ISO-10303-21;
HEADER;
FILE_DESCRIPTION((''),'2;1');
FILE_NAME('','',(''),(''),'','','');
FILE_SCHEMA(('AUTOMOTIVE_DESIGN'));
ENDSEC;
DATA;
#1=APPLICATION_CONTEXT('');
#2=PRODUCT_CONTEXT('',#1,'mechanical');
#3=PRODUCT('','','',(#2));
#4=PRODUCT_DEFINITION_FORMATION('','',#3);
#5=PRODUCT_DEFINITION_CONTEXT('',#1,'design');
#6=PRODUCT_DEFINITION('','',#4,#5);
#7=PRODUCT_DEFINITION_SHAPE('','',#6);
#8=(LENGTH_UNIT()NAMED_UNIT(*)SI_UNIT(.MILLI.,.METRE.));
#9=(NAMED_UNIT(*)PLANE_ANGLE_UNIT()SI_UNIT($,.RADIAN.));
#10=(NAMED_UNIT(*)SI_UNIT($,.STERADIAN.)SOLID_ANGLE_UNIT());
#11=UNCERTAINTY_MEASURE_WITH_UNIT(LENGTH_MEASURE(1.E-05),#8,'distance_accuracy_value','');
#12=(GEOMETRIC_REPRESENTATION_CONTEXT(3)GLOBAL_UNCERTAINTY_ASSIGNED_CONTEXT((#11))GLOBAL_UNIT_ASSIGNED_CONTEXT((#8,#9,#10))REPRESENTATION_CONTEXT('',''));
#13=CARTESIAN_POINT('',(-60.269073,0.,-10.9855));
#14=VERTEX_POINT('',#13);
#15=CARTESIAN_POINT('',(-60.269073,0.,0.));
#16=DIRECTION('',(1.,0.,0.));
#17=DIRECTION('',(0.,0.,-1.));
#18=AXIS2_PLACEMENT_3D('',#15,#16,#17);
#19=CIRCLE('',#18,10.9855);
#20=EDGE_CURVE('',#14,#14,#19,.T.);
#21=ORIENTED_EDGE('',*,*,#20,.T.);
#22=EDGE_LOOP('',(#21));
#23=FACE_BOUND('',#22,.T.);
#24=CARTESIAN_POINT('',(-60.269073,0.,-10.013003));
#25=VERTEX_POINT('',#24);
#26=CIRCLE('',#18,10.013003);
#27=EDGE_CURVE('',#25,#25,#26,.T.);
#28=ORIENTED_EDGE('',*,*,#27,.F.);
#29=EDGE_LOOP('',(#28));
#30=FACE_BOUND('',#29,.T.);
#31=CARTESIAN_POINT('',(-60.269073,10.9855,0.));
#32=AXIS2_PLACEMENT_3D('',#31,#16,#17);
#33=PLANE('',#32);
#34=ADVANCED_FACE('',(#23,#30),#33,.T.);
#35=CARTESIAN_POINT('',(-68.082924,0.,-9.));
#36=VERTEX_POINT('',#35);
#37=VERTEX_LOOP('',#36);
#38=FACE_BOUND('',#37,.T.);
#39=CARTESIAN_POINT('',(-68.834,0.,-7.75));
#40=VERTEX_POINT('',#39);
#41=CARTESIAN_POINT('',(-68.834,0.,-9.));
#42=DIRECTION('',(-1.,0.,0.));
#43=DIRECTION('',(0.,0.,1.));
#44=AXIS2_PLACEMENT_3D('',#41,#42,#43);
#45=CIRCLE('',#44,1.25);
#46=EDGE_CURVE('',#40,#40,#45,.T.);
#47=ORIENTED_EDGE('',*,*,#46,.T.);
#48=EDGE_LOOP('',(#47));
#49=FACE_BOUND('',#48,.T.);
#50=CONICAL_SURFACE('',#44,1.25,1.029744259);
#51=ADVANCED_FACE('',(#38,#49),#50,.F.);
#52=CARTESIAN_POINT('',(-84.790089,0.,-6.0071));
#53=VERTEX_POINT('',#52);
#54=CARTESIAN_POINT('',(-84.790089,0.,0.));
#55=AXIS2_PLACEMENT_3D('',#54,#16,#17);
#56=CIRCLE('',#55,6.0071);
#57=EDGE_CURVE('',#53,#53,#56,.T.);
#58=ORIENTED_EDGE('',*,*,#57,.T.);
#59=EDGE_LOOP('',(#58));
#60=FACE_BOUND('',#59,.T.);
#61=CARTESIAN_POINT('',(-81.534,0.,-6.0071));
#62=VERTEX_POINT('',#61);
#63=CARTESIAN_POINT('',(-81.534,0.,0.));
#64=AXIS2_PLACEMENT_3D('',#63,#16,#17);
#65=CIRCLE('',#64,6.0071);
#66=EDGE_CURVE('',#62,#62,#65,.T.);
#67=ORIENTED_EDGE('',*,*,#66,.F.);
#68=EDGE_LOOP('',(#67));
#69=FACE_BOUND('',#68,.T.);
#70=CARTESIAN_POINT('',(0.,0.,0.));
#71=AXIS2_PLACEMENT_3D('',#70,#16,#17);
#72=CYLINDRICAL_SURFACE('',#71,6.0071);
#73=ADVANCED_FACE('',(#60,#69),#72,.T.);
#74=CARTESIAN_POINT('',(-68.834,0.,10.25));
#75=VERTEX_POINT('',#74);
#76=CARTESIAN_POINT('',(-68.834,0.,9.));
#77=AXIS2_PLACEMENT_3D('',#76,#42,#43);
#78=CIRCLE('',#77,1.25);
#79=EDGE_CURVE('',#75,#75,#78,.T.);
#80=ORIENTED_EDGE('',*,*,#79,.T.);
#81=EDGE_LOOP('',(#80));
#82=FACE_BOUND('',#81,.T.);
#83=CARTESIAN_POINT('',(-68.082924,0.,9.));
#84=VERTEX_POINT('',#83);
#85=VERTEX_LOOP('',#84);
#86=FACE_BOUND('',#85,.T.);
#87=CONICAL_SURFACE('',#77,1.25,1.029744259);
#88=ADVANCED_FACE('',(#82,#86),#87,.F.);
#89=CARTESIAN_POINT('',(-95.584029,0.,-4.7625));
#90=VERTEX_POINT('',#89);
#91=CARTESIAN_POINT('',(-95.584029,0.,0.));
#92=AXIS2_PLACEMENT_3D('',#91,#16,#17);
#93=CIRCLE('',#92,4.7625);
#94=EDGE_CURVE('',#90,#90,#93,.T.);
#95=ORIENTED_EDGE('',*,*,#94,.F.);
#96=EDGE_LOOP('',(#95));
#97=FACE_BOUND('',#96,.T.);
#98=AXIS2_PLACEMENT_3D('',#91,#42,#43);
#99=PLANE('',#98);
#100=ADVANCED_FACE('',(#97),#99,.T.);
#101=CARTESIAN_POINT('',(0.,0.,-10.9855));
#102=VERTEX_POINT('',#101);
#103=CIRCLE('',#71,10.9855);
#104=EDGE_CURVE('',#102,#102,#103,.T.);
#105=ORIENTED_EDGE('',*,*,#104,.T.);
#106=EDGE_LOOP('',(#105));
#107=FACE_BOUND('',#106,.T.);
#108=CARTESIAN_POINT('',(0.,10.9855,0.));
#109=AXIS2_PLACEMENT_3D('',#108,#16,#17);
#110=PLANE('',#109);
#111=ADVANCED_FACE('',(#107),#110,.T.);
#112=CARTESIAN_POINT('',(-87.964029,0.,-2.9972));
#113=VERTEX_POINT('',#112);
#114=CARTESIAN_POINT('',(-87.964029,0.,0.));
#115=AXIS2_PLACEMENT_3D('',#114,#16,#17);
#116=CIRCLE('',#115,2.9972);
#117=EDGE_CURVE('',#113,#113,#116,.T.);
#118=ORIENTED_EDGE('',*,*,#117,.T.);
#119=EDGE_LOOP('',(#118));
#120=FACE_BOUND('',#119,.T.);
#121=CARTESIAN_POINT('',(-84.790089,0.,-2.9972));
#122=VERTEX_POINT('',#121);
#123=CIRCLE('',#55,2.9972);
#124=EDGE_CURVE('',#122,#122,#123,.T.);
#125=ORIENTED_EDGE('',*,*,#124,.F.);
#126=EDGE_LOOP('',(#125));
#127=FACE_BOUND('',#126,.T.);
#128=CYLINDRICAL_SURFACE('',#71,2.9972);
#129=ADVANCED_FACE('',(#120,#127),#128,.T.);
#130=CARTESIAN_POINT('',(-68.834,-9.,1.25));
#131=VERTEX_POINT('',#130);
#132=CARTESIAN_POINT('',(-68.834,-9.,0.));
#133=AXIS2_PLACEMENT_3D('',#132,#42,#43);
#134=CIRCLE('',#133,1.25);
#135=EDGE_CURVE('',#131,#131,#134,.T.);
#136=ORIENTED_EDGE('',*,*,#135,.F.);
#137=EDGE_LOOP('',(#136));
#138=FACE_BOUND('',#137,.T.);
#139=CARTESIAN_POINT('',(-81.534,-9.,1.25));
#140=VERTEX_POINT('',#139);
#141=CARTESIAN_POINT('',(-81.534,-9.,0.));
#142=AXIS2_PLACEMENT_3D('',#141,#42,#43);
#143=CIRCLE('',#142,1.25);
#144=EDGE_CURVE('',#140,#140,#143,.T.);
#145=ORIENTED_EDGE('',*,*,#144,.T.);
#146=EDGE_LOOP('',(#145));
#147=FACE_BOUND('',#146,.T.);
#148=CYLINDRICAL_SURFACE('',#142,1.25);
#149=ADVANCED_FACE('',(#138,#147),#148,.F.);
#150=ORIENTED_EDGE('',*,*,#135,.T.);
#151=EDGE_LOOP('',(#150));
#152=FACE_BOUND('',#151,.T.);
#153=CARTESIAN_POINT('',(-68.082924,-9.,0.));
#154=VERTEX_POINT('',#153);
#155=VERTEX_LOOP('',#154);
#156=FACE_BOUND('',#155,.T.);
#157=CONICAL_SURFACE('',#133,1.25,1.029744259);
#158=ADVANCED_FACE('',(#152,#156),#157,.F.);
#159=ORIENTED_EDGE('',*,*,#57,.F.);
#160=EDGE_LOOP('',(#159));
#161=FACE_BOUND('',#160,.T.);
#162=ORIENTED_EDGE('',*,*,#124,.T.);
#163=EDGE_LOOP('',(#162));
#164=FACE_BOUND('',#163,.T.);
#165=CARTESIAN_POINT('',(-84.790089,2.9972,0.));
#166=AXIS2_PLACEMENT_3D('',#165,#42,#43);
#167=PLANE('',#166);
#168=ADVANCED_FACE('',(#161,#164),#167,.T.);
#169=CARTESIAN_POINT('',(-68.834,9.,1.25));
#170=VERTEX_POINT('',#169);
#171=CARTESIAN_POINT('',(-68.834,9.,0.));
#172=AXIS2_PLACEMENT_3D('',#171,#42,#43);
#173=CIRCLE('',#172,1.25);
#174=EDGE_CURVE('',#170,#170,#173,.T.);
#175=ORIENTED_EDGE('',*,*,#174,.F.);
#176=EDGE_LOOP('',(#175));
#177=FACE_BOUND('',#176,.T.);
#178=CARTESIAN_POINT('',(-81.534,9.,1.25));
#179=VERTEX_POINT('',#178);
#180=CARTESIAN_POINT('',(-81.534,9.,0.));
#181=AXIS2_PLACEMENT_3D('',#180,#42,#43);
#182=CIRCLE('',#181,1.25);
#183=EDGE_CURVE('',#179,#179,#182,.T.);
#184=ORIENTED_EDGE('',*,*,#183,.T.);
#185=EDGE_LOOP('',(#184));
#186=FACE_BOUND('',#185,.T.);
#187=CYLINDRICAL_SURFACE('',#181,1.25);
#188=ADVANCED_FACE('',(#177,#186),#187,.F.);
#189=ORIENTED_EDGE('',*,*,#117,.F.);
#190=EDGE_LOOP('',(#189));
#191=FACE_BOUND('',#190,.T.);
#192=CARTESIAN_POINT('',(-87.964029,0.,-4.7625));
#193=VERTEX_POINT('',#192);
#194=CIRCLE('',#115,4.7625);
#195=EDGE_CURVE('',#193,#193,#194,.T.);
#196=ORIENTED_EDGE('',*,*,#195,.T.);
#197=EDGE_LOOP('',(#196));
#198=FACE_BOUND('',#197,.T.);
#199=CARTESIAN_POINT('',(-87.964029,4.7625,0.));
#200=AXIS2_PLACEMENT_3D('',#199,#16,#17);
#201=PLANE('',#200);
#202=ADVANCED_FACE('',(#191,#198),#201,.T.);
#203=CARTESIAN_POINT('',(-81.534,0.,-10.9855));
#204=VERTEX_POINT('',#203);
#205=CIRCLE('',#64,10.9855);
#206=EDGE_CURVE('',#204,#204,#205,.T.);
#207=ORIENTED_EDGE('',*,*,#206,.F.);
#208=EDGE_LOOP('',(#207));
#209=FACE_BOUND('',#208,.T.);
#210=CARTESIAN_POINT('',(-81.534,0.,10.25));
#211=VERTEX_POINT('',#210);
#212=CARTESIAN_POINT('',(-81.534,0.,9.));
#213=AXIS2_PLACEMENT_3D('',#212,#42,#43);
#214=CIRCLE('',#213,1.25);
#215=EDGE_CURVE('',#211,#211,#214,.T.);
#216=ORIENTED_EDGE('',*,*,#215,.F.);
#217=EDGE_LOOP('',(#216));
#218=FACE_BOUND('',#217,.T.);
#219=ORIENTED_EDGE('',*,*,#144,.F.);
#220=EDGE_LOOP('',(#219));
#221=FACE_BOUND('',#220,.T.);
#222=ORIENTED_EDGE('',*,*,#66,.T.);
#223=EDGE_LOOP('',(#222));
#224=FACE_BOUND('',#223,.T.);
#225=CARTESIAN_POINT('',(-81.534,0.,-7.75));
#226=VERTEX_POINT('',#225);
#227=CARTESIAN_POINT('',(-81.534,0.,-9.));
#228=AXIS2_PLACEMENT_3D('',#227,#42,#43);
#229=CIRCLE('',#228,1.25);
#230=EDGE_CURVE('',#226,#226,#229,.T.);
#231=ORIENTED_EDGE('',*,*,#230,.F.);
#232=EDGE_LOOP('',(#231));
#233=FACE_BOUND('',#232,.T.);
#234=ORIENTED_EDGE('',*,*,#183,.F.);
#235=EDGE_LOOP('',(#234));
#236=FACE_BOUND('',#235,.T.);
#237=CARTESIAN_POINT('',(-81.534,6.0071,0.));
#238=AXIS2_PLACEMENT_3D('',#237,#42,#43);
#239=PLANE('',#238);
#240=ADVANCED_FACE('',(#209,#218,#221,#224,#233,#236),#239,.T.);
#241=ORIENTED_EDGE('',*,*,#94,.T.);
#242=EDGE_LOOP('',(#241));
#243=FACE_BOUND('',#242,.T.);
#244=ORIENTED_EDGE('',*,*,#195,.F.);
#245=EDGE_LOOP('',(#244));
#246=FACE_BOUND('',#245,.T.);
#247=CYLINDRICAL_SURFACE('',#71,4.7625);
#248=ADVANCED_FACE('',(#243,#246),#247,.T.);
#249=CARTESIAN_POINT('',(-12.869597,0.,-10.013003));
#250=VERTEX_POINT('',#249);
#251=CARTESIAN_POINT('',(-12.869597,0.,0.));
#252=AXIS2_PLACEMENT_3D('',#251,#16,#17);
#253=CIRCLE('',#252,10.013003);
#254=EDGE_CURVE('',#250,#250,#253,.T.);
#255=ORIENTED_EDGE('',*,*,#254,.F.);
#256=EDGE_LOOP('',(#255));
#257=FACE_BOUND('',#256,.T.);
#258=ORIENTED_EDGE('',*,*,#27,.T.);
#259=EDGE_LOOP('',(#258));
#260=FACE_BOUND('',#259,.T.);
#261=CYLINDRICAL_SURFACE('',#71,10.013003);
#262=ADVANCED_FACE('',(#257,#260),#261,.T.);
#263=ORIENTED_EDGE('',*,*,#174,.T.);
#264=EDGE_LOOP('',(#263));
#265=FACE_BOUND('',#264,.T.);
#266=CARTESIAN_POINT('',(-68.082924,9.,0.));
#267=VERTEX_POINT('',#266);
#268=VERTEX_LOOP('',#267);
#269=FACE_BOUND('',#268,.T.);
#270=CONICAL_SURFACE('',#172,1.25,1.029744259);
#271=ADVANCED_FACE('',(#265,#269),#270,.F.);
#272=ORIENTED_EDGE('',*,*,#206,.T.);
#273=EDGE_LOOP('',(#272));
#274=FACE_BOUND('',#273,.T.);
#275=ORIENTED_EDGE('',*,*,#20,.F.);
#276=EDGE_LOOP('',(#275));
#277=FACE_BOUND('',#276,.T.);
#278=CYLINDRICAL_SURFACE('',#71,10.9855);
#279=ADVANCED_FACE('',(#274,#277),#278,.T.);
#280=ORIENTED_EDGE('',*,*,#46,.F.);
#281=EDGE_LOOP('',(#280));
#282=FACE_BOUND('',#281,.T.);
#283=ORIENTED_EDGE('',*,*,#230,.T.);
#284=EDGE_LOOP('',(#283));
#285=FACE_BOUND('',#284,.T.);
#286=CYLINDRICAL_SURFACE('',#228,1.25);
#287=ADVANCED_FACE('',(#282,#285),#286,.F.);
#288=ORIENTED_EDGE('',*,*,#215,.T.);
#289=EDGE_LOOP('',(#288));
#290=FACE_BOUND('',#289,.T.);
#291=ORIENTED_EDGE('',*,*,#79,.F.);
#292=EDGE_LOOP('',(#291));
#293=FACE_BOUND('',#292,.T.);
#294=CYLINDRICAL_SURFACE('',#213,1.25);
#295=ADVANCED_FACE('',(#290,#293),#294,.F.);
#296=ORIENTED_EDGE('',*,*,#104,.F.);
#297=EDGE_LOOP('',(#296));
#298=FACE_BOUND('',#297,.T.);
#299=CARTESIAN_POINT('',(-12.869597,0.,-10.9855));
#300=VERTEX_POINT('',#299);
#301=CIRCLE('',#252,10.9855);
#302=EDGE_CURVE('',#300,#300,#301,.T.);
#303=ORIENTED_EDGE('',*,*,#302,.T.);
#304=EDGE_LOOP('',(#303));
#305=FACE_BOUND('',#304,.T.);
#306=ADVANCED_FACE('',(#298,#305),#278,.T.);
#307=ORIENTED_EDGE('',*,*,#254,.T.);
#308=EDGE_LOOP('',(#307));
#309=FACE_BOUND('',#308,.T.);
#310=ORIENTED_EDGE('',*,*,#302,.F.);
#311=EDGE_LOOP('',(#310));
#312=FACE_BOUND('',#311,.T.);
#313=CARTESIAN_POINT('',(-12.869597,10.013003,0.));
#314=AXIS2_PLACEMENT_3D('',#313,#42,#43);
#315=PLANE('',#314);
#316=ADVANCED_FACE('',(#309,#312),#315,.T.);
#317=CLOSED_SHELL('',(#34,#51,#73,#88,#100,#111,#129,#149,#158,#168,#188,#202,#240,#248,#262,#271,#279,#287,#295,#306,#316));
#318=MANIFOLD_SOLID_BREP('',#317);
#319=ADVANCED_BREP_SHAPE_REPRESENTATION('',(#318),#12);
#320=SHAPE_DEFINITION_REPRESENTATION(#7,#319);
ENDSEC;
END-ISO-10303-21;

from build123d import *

# Parameters (mm, degrees)
CIRPATTERN1_COUNT = 4


with BuildPart() as part:
    # Sketch1 → Revolve1 (revolve)
    with BuildSketch(Plane.XY, mode=Mode.PRIVATE) as revolve1_sk:
        Polygon((-95.584028604, 0), (-95.584028604, 4.7625), (-87.964028604, 4.7625), (-87.964028604, 2.9972), (-84.790088556, 2.9972), (-84.790088556, 6.0071), (-81.534, 6.0071), (-81.534, 10.9855), (-60.269072576, 10.9855), (-60.269072576, 10.013003393), (-12.869596711, 10.013003393), (-12.869596711, 10.9855), (0, 10.9855), (0, 0), align=None)
    revolve(revolve1_sk.sketch.rotate(Axis((0, 0, 0), (-1, 0, 0)), 90), axis=Axis((0, 0, 0), (-1, 0, 0)))

    # Sketch3 → M3x0.5 Tapped Hole1 (revolve, cut)
    with BuildSketch(Plane(origin=(-81.534, 9, 0), x_dir=(0, 0, 1), z_dir=(0, 1, 0))):
        Polygon((0, 0), (0, 13.451075774), (1.25, 12.7), (1.25, 0), align=None)
    m3x0_5_tapped_hole1 = revolve(axis=Axis((-87.884, 9, 0), (1, 0, 0)), mode=Mode.SUBTRACT)

    # CirPattern1: M3x0.5 Tapped Hole1 ×4 about axis
    cirpattern1_axis = Axis((0, 0, 0), (1, 0, 0))
    for i in range(1, CIRPATTERN1_COUNT):
        add(m3x0_5_tapped_hole1.rotate(cirpattern1_axis, i * 360 / CIRPATTERN1_COUNT), mode=Mode.SUBTRACT)


solid = part.part
